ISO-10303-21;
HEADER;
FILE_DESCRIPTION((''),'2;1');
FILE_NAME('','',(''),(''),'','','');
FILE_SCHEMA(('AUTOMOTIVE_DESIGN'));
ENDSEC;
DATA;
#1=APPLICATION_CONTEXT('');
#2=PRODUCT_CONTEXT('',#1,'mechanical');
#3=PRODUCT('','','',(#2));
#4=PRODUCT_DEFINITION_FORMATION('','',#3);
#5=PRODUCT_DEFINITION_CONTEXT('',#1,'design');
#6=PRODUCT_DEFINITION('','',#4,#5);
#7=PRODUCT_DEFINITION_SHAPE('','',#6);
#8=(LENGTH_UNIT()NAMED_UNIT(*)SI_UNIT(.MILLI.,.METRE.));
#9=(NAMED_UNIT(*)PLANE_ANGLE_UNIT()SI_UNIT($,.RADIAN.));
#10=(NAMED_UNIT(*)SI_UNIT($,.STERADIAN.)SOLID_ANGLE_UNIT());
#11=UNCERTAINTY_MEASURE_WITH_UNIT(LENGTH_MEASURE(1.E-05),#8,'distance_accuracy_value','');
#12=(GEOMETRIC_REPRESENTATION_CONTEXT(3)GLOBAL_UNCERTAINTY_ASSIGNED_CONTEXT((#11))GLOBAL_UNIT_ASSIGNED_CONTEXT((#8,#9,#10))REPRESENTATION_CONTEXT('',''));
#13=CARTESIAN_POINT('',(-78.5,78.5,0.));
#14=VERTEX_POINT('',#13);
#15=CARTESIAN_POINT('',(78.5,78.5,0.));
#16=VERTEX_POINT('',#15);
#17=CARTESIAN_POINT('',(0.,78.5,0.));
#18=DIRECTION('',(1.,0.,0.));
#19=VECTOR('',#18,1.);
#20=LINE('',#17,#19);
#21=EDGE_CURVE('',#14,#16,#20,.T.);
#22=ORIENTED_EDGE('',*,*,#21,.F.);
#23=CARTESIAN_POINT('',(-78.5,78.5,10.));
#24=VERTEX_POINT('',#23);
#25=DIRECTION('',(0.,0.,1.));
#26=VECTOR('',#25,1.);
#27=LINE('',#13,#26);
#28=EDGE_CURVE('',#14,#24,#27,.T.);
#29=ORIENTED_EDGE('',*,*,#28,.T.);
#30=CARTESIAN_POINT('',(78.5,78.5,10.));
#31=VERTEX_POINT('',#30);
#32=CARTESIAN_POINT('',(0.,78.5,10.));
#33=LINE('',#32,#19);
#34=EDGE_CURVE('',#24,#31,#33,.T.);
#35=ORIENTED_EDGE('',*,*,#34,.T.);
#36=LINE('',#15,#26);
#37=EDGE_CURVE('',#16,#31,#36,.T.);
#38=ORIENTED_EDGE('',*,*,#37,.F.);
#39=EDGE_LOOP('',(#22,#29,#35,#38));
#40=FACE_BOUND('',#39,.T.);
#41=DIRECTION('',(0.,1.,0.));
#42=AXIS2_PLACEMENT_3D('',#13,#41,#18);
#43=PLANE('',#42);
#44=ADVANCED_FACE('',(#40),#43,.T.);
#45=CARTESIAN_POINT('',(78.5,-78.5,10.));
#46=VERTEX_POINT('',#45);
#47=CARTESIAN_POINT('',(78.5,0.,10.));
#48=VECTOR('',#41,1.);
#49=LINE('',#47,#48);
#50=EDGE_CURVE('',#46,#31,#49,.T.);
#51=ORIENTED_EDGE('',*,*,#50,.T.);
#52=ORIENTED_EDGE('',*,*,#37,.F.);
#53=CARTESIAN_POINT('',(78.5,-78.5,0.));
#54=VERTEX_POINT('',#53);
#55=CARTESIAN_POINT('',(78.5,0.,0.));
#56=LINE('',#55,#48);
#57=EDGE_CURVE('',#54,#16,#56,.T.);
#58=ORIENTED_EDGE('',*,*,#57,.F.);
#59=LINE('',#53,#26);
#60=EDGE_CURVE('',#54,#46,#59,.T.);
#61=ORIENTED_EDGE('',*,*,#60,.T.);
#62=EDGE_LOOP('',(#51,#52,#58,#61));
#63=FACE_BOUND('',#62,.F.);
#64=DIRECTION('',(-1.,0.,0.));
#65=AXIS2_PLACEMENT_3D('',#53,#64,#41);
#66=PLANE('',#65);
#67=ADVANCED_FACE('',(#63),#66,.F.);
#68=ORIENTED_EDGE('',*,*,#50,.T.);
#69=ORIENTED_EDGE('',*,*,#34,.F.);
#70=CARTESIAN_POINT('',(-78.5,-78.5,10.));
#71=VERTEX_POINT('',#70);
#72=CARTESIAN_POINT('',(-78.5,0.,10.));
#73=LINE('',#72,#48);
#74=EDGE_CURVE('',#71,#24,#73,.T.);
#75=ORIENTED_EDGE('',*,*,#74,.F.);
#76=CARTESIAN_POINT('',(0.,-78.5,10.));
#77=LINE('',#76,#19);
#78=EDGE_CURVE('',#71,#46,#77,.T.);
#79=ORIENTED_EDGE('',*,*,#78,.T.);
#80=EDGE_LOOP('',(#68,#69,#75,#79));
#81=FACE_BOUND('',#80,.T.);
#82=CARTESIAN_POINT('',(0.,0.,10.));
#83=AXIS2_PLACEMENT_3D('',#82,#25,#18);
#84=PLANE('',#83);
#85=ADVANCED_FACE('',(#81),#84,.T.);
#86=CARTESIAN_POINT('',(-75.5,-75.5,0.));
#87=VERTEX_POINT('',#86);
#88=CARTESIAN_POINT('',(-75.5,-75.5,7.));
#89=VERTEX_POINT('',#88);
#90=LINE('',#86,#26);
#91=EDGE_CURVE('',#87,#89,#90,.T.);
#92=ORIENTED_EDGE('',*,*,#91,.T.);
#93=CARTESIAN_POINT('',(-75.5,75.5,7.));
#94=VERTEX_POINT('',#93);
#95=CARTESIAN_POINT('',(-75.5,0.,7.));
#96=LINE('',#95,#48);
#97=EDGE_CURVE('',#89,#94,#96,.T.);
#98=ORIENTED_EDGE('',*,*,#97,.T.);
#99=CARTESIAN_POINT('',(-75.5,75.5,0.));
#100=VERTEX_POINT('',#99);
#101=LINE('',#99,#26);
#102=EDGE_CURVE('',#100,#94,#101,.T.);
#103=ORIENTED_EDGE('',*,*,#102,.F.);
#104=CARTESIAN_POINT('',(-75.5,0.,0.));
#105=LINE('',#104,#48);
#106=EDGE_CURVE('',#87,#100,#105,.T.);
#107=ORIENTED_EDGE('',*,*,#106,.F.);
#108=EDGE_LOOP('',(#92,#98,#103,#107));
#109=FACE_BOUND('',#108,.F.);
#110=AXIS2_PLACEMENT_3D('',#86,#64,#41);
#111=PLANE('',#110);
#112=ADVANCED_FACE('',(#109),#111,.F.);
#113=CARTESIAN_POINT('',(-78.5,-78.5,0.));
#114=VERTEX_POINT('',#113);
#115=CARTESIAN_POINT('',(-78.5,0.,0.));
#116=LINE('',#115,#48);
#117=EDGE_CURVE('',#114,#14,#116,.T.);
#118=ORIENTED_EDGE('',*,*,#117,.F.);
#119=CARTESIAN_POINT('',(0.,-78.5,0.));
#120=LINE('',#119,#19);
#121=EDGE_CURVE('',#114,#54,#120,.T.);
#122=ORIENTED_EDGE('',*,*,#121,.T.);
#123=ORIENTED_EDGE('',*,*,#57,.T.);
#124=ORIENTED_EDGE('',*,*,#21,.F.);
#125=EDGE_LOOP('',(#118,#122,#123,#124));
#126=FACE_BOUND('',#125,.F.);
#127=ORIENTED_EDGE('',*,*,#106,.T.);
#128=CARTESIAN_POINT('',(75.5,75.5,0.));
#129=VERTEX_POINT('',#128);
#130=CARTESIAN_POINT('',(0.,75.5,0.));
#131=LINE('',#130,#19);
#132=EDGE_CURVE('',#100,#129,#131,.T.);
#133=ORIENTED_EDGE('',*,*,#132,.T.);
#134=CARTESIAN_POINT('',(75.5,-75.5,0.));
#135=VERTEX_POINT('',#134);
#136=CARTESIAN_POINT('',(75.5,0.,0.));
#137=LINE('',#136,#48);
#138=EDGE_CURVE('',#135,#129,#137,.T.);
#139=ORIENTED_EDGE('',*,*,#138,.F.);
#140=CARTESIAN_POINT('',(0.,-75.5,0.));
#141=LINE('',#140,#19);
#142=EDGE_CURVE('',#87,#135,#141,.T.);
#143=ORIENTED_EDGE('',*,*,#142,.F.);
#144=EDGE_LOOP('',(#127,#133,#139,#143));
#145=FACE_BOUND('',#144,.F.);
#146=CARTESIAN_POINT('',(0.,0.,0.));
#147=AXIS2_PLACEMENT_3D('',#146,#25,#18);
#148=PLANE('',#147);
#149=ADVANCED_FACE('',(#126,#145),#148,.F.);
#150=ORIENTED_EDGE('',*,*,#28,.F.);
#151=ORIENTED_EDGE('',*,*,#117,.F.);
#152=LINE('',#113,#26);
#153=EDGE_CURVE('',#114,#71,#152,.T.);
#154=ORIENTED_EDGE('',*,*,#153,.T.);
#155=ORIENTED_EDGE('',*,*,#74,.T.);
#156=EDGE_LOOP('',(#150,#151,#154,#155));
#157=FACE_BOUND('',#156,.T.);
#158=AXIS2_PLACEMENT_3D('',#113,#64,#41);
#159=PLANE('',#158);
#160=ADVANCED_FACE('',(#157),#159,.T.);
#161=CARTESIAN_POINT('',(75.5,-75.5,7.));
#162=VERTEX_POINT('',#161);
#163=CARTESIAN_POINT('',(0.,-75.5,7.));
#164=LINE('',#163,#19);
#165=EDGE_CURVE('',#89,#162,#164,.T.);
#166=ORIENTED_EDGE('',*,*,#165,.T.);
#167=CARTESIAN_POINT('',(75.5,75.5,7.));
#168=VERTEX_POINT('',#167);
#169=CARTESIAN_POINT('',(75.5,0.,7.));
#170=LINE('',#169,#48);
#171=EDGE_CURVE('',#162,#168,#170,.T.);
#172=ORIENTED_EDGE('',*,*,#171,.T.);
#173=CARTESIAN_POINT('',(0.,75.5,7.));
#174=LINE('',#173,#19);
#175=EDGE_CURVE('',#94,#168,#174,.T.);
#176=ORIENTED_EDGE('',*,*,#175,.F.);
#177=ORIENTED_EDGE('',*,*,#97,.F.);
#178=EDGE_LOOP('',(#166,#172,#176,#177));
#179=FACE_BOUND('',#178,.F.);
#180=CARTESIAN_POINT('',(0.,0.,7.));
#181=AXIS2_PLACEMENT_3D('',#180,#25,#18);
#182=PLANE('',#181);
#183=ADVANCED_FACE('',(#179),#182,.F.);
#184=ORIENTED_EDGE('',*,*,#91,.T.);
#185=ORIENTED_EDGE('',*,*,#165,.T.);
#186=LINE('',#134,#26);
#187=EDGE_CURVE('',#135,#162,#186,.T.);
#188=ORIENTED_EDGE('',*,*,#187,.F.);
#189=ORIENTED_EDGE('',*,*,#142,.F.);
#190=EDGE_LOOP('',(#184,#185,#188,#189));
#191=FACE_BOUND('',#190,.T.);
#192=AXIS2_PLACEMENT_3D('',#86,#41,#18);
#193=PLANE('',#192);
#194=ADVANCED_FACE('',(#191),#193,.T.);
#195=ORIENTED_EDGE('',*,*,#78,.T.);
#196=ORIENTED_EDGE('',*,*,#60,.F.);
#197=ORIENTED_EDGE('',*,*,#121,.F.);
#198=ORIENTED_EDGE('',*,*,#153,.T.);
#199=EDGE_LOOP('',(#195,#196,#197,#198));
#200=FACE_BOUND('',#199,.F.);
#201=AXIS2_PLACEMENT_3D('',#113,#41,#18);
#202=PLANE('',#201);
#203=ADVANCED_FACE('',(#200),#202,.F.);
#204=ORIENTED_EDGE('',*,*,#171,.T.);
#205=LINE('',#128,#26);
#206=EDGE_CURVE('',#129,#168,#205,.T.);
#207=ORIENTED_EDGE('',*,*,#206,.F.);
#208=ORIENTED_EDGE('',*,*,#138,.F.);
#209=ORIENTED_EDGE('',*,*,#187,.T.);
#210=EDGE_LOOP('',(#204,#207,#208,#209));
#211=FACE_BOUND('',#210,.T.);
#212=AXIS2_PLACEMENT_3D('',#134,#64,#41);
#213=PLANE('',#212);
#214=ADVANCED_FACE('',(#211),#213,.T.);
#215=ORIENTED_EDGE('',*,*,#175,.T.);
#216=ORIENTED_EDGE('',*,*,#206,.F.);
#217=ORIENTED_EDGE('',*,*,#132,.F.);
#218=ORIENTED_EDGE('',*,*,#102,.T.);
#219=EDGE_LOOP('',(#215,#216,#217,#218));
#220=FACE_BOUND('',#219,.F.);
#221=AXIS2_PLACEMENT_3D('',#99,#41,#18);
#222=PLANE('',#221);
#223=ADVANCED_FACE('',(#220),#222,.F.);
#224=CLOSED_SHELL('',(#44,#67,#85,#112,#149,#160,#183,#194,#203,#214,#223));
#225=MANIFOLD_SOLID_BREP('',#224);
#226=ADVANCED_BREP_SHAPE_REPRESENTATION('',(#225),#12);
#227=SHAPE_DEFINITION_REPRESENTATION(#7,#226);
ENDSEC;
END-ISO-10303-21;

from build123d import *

# Parameters (mm, degrees)
F0_W     = 157
F0_H     = 157
F1_DEPTH = 10
F2_W     = 151
F2_H     = 151
F3_DEPTH = 7


with BuildPart() as f1:
    # F0 (on Top) → F1 (new body)
    with BuildSketch(Plane.XY):
        Rectangle(F0_W, F0_H)
    extrude(amount=F1_DEPTH)

    # F2 (on Top) → F3 (cut)
    with BuildSketch(Plane.XY):
        Rectangle(F2_W, F2_H)
    extrude(amount=F3_DEPTH, mode=Mode.SUBTRACT)


solid = f1.part
